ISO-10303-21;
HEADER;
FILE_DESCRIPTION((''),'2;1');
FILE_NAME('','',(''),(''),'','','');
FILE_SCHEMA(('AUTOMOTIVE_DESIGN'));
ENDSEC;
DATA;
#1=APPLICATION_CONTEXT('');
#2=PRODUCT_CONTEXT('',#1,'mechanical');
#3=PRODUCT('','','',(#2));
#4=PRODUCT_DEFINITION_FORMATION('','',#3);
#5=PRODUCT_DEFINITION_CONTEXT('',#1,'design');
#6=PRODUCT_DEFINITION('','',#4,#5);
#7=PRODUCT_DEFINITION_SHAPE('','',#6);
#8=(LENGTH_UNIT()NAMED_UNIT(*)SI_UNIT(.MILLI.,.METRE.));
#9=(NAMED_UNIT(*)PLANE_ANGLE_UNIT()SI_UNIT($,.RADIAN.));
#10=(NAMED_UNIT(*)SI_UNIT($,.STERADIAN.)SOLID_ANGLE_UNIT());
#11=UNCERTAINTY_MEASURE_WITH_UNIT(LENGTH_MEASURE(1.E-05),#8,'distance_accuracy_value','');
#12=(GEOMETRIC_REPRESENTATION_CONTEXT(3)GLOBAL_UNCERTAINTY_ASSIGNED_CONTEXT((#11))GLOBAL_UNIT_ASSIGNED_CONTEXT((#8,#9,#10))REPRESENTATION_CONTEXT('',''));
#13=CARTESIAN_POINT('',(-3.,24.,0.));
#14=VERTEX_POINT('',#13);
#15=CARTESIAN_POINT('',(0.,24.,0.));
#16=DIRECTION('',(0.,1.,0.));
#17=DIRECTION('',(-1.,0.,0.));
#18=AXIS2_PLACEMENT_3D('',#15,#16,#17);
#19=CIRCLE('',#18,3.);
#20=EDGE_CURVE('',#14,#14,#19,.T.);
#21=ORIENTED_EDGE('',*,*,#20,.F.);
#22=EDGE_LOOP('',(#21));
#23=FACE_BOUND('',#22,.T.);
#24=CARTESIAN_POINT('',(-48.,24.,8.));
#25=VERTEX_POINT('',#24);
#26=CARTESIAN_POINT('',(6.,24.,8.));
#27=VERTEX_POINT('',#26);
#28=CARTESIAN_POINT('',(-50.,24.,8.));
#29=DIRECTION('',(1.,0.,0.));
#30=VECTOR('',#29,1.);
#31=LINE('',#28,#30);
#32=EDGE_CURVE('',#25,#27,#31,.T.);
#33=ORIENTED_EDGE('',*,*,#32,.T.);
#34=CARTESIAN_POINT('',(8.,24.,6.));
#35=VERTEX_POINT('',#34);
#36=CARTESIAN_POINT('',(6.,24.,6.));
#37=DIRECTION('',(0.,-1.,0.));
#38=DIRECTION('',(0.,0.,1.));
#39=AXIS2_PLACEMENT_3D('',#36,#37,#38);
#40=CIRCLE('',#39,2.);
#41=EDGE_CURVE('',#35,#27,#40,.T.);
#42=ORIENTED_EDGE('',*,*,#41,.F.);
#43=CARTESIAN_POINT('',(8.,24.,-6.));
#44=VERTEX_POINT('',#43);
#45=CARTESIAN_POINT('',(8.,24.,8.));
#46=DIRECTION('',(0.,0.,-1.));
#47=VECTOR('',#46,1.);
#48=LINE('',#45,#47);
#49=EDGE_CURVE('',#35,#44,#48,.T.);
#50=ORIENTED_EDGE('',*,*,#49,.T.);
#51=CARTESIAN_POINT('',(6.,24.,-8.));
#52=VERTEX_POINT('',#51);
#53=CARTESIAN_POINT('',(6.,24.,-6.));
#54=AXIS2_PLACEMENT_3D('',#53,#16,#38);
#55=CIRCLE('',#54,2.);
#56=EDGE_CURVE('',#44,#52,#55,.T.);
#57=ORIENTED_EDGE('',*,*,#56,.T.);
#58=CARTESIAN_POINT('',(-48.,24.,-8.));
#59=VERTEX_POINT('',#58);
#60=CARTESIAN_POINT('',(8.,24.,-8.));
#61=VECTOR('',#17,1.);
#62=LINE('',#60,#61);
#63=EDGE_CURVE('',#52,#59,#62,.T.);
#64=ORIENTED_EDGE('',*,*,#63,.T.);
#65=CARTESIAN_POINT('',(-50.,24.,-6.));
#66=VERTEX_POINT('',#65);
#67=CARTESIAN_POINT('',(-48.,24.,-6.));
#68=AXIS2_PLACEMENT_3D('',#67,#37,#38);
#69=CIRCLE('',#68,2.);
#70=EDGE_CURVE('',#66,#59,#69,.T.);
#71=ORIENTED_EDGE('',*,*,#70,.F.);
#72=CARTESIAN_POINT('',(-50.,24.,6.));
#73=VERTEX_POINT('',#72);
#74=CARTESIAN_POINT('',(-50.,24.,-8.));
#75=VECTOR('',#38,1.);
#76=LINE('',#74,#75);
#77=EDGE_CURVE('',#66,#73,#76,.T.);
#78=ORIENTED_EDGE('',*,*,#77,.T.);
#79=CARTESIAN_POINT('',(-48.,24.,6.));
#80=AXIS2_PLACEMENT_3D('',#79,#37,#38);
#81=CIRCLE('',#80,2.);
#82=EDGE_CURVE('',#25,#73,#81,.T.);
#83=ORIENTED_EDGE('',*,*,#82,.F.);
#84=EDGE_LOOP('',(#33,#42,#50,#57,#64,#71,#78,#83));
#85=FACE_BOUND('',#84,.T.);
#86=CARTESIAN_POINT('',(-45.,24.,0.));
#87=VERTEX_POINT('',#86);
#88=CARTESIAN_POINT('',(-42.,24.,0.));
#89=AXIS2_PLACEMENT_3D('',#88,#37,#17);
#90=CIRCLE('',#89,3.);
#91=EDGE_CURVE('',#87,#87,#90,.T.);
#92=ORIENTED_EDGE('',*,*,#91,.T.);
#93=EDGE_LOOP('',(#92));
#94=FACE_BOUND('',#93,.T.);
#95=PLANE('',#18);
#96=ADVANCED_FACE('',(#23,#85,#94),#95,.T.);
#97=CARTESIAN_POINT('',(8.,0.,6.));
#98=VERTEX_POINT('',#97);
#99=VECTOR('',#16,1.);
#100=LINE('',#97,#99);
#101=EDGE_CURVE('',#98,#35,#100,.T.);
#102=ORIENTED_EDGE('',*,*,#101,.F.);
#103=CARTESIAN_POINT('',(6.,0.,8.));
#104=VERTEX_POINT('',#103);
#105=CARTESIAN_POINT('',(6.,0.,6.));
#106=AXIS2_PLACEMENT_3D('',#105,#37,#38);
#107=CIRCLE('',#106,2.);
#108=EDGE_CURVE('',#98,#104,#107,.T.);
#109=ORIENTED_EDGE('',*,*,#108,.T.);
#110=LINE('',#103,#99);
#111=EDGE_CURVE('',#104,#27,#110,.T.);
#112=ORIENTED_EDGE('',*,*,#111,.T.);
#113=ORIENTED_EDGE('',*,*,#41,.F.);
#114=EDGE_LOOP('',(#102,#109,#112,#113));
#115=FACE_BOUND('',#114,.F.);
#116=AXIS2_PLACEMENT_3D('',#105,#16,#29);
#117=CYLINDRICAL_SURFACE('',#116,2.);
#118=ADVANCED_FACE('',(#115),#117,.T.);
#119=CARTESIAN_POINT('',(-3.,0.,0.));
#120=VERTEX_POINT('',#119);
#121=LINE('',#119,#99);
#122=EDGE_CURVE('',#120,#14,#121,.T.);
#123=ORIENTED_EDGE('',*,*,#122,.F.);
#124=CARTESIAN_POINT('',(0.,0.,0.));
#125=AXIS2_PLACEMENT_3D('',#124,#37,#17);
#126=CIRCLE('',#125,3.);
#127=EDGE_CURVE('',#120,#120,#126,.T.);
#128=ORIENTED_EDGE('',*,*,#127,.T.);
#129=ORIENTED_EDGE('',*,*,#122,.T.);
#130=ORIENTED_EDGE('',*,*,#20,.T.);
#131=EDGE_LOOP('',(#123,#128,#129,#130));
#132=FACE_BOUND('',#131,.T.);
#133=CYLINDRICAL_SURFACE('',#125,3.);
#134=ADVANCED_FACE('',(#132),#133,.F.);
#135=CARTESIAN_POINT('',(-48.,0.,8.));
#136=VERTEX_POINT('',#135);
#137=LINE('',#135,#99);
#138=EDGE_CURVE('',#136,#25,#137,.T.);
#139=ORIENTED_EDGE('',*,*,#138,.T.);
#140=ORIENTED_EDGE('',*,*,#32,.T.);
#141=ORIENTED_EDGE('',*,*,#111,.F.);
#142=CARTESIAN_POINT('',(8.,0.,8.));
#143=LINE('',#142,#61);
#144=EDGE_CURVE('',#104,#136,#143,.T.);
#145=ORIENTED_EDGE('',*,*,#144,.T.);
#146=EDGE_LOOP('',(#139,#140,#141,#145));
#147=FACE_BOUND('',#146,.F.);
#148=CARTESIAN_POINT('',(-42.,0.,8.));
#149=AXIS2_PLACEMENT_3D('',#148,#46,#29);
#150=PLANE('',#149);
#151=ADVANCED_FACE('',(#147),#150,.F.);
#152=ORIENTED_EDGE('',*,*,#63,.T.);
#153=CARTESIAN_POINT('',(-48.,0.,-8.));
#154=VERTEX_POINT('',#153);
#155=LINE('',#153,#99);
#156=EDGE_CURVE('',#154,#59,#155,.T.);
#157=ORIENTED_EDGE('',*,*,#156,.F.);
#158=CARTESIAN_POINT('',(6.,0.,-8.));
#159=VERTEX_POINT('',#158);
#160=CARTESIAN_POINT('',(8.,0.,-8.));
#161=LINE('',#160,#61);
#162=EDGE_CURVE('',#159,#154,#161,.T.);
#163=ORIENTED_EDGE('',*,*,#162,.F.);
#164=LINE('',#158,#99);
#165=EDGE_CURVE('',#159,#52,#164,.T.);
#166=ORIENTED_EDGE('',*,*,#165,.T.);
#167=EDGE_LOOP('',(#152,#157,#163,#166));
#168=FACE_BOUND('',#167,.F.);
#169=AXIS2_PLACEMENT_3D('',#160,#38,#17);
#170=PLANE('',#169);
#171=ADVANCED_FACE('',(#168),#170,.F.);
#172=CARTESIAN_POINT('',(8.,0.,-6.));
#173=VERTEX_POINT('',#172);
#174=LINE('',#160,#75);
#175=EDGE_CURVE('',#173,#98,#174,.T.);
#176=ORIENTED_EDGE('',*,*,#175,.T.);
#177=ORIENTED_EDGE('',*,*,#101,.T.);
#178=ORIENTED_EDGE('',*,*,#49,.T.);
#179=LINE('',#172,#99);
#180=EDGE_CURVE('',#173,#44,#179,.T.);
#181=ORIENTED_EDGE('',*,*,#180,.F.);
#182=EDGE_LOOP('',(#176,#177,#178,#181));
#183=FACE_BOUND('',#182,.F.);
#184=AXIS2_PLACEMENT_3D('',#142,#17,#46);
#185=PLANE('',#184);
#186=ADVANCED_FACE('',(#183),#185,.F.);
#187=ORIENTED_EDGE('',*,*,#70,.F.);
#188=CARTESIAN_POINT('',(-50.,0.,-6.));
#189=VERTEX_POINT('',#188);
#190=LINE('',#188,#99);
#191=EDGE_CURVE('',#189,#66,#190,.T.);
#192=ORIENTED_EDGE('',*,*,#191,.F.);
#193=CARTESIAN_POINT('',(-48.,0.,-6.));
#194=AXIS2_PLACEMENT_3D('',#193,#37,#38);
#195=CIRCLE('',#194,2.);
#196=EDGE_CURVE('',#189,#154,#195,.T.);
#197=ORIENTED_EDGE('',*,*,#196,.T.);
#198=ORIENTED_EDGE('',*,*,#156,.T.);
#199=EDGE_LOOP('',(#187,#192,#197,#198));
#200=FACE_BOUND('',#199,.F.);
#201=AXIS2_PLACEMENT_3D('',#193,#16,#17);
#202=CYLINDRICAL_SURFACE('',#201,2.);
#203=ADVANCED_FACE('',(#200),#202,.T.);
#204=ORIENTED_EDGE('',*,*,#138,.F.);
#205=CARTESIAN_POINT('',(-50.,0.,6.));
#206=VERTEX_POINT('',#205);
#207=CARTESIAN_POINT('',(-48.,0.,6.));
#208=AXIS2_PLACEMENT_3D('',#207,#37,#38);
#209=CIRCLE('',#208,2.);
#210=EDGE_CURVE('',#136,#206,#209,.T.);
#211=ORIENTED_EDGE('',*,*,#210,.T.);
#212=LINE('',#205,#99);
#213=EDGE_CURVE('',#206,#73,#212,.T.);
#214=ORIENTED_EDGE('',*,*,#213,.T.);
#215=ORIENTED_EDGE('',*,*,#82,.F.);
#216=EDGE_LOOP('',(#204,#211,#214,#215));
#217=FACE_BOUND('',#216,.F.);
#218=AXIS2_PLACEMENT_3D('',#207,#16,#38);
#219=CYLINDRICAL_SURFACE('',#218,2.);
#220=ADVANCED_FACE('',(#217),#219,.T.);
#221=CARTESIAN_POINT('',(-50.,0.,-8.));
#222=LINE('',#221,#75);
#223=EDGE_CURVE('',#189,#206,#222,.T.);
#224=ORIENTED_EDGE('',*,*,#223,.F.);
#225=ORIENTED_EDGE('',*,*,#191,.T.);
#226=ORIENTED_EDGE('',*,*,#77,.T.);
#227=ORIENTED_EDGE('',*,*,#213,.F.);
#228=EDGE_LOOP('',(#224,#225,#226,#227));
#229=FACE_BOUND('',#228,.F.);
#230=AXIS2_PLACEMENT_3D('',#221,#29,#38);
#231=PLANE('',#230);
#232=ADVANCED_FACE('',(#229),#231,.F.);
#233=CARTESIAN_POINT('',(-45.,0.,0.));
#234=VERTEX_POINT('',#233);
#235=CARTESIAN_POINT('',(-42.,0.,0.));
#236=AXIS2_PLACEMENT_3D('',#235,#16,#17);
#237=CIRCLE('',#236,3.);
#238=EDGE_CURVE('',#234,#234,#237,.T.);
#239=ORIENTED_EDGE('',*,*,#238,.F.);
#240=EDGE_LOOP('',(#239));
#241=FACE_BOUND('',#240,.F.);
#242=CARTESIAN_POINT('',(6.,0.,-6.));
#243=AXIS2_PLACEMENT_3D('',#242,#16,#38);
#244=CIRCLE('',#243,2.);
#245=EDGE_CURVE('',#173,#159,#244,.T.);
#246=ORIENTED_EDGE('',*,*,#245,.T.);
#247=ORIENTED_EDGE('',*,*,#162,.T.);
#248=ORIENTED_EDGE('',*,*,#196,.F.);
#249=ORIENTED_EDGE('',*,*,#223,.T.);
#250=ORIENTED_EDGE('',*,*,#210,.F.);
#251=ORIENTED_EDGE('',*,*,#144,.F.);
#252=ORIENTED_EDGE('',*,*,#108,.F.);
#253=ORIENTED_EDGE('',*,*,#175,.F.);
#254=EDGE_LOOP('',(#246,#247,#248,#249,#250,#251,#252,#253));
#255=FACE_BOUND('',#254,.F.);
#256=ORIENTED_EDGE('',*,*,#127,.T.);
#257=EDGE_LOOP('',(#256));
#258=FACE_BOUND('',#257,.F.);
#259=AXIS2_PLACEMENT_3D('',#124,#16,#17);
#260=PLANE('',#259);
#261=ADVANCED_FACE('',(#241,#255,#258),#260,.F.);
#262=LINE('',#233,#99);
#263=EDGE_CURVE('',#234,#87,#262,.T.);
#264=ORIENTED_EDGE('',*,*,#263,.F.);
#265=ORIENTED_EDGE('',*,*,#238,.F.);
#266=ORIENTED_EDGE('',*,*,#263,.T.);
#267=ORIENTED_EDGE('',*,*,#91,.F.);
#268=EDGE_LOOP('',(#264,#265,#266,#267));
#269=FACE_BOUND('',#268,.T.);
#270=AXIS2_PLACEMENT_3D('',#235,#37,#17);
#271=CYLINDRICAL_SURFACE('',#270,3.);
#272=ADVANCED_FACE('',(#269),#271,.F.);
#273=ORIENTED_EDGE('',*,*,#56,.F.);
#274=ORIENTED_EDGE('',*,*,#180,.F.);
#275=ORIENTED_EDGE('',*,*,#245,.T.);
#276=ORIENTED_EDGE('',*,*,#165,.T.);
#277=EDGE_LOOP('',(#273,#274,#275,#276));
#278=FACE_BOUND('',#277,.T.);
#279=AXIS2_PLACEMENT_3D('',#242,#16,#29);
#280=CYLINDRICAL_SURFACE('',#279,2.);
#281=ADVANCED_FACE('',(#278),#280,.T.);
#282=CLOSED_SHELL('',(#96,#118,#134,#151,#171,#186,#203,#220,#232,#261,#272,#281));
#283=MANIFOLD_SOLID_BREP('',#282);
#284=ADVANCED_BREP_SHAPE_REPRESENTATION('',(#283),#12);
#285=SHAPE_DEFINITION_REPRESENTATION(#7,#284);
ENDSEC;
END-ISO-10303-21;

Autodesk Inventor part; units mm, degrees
ref_plane "YZ Plane" through (0, 0, 0) normal (1, 0, 0) x (0, 1, 0)
ref_plane "XZ Plane" through (0, 0, 0) normal (0, 1, 0) x (-1, 0, 0)
ref_plane "XY Plane" through (0, 0, 0) normal (0, 0, 1) x (1, 0, 0)
sketch "Sketch1" plane through (0, 0, 0) normal (0, 1, 0) x (-1, 0, 0)
  line L0 (0, 0) -> (42, 0)
  circle A0 centre (42, 0) radius 3
  circle A1 centre (0, 0) radius 3
  line L1 (0, 0) -> (-8, 0)
  line L2 (-8, 0) -> (-8, -8)
  line L3 (42, 0) -> (42, 8)
  line L4 (42, 8) -> (50, 8)
  line L5 (50, 8) -> (-8, 8)
  line L6 (-8, 8) -> (-8, -8)
  line L7 (-8, -8) -> (50, -8)
  line L8 (50, -8) -> (50, 8)
  dimension "d0" = 42
  dimension "d1" = 6
  dimension "d2" = 6
  dimension "d3" = 8
  dimension "d4" = 8
  dimension "d5" = 8
  dimension "d6" = 8
extrude "Extrusion1" add sketch "Sketch1" along normal blind 24 contours A1 L1 L6 L5 L3 A0 L0 | L0 A0 L3 L4 L8 L7 L2 L1 A1
fillet "Fillet1" radius 2 4 edges at (8, 12, 8) (8, 12, -8) (-50, 12, 8) (-50, 12, -8)
properties part number "Bearing Seat 8mm"
